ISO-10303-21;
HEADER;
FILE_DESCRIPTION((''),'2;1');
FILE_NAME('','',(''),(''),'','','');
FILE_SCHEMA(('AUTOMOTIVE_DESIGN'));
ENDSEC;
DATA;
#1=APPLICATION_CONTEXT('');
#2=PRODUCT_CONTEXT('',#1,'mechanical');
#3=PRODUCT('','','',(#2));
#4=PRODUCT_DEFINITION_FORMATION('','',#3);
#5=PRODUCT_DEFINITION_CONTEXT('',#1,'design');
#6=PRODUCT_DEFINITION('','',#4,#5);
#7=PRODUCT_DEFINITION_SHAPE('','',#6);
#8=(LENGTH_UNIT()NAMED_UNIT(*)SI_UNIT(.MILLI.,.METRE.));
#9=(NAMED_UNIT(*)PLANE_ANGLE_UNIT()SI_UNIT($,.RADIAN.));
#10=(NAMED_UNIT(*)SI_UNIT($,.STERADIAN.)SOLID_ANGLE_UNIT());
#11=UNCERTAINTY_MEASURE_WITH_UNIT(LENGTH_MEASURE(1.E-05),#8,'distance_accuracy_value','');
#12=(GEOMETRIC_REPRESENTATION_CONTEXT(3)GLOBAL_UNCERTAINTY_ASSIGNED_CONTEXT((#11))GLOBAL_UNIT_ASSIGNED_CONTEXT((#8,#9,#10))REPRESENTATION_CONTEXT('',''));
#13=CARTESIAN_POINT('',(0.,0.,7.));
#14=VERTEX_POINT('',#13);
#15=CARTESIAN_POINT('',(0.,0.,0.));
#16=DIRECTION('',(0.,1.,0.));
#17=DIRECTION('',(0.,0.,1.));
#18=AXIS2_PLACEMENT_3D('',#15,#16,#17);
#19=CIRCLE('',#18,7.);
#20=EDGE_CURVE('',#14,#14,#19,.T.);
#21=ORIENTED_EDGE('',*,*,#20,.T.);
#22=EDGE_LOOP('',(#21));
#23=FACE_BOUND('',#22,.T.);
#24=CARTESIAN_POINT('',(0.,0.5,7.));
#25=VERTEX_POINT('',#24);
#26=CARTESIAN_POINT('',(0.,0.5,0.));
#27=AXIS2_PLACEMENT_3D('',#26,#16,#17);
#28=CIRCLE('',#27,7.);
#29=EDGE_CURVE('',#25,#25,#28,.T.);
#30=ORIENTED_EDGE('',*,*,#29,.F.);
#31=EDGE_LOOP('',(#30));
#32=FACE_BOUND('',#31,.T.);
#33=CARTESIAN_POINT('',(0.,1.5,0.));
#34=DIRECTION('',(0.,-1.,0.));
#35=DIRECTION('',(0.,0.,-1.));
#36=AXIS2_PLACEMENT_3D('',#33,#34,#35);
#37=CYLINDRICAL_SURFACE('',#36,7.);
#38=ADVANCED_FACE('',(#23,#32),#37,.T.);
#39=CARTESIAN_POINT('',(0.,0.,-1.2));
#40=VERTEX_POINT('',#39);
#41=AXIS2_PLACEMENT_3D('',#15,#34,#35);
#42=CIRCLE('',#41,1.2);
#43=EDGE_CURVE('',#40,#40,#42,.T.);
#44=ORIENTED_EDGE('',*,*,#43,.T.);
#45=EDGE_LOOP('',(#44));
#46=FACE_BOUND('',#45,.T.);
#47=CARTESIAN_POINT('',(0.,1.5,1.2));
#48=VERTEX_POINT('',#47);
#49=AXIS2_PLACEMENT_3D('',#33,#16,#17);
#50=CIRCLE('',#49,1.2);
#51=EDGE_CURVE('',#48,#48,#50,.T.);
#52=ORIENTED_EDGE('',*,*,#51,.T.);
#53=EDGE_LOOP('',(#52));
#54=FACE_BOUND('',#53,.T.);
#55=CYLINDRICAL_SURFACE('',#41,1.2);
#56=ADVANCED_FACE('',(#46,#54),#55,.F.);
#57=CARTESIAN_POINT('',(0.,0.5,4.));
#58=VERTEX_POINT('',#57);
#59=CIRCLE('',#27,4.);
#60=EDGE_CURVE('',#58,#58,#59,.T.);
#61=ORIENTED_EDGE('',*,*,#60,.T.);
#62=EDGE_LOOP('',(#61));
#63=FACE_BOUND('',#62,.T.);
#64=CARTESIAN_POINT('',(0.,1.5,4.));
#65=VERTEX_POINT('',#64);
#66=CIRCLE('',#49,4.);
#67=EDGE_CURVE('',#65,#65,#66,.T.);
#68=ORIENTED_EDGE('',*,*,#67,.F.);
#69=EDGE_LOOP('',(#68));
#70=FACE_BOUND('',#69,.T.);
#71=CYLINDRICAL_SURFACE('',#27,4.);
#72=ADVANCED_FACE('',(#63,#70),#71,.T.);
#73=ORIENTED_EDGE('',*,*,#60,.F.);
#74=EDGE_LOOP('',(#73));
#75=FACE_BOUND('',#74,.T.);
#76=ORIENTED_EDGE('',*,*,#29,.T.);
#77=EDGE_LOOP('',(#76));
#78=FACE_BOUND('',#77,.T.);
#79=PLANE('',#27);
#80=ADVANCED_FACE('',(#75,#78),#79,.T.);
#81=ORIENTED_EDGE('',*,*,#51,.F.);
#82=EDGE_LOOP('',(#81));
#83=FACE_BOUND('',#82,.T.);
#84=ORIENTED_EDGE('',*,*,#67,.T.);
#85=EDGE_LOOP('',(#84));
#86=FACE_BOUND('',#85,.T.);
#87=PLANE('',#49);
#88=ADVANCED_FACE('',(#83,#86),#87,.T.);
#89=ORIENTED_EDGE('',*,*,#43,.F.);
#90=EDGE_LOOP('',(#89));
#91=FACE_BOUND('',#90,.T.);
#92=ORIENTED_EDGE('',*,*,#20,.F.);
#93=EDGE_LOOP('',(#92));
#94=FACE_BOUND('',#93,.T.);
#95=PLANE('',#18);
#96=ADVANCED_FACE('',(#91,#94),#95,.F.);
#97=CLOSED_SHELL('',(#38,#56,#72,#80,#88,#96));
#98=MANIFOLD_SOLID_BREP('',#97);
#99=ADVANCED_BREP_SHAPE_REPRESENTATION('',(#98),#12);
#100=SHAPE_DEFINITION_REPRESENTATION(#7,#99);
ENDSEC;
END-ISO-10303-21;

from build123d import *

# Parameters (mm, degrees)
SKETCH1_R                = 7
BOSS_EXTRUDE1_DEPTH      = 1.5
CUT_EXTRUDE1_START       = -1
SKETCH2_R                = 7
SKETCH2_R_2              = 4
CUT_EXTRUDE1_DEPTH       = 1
M2_CLEARANCE_HOLE1_D     = 2.4
M2_CLEARANCE_HOLE1_DEPTH = 3
M2_CLEARANCE_HOLE1_TIP   = 0.721032743


with BuildPart() as part:
    # Sketch1 → Boss-Extrude1 (new body)
    with BuildSketch(Plane(origin=(0, 0, 0), x_dir=(1, 0, 0), z_dir=(0, 1, 0))):
        with Locations(Location((0, 0, 0), (0, 0, 270))):
            Circle(SKETCH1_R)
    extrude(amount=BOSS_EXTRUDE1_DEPTH)

    # Sketch2 → Cut-Extrude1 (cut)
    with BuildSketch(Plane(origin=(0, 1.5, 0), x_dir=(1, 0, 0), z_dir=(0, 1, 0)).offset(CUT_EXTRUDE1_START)):
        with Locations(Location((0, 0, 0), (0, 0, 270))):
            Circle(SKETCH2_R)
        with Locations(Location((0, 0, 0), (0, 0, 270))):
            Circle(SKETCH2_R_2, mode=Mode.SUBTRACT)
    extrude(amount=CUT_EXTRUDE1_DEPTH, mode=Mode.SUBTRACT)

    # M2 Clearance Hole1
    with Locations(Plane(origin=(0, 0, 0), x_dir=(-1, 0, 0), z_dir=(0, -1, 0))):
        with Locations((0, 0)):
            Hole(M2_CLEARANCE_HOLE1_D / 2, depth=M2_CLEARANCE_HOLE1_DEPTH)
            with Locations((0, 0, -(M2_CLEARANCE_HOLE1_DEPTH + M2_CLEARANCE_HOLE1_TIP / 2))):  # 118° drill point
                Cone(0, M2_CLEARANCE_HOLE1_D / 2, M2_CLEARANCE_HOLE1_TIP, mode=Mode.SUBTRACT)


solid = part.part
